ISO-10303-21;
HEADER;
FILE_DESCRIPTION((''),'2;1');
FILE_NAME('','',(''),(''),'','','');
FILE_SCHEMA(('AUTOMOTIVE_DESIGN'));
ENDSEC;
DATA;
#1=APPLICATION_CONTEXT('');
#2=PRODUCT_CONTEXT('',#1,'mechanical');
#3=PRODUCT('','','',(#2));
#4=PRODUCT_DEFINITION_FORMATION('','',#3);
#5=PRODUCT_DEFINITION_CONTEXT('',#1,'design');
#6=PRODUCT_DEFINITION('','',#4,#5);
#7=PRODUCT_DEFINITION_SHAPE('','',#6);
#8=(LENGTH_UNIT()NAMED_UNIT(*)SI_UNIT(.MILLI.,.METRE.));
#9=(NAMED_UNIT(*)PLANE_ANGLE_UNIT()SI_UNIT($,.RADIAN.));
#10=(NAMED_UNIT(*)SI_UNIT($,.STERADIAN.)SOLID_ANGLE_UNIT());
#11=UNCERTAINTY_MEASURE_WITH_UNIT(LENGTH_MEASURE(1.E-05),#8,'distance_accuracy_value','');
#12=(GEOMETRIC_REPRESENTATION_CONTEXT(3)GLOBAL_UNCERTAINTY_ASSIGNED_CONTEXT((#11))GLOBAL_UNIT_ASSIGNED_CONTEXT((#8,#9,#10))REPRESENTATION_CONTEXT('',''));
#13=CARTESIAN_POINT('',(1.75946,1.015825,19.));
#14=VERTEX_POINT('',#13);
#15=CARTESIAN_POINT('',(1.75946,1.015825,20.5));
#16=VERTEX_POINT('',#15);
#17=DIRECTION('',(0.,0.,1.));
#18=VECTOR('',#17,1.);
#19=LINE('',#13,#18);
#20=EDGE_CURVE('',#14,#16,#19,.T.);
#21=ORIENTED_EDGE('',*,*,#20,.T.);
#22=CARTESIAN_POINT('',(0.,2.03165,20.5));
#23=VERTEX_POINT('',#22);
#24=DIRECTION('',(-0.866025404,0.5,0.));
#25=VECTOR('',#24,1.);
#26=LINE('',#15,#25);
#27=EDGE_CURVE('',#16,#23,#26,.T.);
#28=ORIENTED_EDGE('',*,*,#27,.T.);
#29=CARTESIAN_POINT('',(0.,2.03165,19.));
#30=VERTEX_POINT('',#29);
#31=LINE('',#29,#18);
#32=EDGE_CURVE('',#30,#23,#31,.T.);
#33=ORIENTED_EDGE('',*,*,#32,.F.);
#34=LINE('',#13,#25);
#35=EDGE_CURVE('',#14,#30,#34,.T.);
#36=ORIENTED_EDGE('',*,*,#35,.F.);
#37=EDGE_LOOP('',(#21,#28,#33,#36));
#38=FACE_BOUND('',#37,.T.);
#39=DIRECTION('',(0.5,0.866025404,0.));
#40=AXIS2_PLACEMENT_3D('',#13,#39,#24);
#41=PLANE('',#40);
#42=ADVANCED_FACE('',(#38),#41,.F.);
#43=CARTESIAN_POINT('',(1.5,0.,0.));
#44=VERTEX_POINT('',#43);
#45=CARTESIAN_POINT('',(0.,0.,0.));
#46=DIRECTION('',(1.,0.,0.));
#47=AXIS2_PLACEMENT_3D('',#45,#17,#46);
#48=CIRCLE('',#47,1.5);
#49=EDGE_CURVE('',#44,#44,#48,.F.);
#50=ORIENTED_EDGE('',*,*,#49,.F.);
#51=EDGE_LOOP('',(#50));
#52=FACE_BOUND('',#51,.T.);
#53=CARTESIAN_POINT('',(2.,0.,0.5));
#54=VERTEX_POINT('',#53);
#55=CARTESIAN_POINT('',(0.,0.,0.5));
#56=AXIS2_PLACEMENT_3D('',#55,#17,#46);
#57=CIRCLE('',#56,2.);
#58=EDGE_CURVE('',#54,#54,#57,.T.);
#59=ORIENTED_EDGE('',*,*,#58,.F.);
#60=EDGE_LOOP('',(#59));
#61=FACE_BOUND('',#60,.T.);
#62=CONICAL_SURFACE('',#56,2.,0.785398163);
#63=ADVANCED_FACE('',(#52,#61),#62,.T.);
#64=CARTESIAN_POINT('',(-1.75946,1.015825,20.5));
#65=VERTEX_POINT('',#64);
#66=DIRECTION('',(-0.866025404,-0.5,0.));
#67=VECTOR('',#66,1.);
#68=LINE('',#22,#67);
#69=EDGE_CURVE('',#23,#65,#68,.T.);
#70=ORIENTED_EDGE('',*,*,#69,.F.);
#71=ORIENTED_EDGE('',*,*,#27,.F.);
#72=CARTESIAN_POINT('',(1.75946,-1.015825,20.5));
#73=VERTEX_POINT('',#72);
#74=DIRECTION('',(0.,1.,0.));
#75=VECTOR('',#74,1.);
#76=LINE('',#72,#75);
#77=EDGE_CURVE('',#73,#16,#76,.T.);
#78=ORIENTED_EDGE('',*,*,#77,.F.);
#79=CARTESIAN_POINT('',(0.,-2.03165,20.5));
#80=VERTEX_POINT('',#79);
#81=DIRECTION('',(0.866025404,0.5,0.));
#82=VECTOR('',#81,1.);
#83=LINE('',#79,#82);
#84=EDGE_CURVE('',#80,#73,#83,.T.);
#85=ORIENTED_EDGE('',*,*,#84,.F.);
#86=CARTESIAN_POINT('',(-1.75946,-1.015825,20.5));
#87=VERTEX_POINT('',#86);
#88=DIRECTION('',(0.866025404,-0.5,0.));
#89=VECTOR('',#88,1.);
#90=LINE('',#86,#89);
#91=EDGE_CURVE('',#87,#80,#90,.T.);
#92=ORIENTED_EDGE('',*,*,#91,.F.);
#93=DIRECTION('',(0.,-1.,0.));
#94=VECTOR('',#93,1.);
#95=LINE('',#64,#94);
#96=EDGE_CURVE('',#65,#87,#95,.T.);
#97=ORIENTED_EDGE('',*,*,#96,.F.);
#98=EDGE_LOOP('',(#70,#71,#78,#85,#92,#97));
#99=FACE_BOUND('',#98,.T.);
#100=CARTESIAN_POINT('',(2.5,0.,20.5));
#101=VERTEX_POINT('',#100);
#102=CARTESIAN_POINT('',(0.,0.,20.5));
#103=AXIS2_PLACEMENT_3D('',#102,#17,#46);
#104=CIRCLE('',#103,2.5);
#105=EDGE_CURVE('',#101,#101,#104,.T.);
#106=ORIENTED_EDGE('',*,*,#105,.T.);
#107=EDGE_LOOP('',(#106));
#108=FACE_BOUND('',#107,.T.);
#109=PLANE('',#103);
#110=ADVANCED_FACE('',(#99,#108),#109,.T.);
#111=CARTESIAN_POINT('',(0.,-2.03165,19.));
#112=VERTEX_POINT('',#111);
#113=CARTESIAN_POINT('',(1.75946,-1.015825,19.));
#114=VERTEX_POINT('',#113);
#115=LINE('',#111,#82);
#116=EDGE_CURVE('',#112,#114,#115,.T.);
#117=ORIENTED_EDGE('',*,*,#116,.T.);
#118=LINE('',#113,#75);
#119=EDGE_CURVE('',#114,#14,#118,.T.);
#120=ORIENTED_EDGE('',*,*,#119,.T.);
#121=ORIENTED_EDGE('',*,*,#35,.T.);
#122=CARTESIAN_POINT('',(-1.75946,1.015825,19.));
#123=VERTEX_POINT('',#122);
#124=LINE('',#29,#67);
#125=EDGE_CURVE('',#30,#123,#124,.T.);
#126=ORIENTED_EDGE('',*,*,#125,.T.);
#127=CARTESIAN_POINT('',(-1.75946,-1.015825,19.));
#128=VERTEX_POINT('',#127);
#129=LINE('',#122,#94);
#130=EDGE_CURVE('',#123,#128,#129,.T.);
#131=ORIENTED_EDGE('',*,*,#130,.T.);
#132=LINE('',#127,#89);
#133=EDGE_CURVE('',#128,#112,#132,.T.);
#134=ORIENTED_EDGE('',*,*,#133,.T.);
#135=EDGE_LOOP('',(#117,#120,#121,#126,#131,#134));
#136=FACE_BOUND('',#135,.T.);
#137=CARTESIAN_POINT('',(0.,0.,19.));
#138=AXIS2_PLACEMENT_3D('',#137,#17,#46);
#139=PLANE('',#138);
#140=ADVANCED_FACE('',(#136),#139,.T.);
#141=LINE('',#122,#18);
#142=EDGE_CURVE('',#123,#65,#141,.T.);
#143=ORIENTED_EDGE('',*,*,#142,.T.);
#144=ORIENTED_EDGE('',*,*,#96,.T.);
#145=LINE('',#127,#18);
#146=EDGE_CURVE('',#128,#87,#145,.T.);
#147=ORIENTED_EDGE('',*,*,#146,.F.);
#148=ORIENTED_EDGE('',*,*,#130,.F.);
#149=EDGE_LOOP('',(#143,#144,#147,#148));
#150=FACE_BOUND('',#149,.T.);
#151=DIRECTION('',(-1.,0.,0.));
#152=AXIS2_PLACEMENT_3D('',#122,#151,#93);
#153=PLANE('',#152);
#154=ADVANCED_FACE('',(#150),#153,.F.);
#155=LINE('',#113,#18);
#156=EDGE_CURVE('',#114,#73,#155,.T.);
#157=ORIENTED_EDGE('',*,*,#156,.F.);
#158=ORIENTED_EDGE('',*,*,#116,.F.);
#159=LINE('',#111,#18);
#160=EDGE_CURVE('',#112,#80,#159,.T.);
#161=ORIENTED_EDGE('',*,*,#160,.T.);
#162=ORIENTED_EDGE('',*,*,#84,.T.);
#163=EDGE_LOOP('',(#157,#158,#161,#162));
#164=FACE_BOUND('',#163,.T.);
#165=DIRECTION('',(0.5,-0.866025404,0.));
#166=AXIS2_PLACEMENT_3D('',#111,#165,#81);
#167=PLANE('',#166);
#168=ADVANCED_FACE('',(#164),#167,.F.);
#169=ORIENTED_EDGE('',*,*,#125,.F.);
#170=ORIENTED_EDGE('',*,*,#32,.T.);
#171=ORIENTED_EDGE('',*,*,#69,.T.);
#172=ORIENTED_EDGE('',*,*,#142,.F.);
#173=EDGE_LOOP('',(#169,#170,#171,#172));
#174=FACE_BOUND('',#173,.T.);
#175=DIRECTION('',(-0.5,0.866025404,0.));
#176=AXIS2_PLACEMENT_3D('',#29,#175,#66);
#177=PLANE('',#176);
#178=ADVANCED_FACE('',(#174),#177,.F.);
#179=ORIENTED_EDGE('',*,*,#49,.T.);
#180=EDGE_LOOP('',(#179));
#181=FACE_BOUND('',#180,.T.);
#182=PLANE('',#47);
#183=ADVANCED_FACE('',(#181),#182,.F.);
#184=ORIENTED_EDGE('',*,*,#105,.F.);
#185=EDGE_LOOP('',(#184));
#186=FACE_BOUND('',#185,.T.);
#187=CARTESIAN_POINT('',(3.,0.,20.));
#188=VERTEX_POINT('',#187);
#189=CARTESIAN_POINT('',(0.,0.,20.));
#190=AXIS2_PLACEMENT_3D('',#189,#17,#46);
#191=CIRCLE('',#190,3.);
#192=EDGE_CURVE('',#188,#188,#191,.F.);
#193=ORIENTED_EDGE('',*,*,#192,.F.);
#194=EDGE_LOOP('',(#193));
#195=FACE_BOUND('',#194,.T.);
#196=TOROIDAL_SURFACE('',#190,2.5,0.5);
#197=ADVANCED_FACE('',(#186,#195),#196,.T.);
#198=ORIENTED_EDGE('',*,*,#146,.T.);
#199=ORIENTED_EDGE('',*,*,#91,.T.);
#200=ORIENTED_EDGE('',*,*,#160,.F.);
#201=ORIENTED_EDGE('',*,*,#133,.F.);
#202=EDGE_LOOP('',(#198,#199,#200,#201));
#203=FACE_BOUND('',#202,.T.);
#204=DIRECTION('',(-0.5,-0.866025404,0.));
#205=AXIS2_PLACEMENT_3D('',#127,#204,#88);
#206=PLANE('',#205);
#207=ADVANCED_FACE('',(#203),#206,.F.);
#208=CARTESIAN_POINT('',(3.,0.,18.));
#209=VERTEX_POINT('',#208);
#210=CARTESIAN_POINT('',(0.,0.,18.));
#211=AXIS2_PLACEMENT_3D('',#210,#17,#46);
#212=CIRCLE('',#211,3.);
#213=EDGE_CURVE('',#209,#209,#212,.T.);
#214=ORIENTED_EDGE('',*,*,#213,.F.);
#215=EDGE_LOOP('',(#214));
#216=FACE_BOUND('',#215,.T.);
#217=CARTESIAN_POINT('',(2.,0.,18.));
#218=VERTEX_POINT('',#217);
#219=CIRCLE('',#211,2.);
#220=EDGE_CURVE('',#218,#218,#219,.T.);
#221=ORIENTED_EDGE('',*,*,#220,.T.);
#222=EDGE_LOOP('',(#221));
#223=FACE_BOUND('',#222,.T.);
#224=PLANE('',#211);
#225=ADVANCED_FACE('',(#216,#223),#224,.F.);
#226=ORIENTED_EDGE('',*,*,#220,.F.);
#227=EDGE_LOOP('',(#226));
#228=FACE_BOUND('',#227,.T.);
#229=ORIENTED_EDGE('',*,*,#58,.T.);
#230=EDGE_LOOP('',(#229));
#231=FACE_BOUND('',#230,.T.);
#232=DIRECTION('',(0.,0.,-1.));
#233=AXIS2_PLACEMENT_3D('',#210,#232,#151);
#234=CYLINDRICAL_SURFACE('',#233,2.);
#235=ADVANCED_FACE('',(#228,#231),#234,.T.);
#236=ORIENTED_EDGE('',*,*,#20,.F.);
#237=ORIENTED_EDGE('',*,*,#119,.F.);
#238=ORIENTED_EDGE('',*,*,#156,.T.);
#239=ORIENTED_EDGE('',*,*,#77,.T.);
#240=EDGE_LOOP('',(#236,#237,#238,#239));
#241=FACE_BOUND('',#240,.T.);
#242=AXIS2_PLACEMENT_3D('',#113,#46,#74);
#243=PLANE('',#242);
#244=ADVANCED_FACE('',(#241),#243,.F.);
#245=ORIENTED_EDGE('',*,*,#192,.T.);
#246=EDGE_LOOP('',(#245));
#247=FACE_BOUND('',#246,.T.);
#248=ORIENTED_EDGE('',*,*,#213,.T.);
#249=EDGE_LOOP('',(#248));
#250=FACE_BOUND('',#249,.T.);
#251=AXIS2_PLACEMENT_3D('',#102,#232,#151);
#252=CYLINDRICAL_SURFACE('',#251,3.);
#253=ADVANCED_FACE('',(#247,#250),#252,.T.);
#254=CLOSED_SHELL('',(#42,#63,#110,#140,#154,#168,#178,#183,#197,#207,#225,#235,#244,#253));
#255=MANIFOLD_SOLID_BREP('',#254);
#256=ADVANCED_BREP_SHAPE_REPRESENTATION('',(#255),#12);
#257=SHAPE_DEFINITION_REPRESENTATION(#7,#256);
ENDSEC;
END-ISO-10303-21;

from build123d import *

# Parameters (mm, degrees)
SKETCH_1_R          = 2
EXTRUDE_1_DEPTH     = 18
SKETCH_2_R          = 3
EXTRUDE_2_DEPTH     = 2.5
CUT_EXTRUDE_1_DEPTH = 1.5
CHAMFER_1_SIZE      = 0.5
FILLET_1_R          = 0.5


with BuildPart() as part:
    # 草图1 → 凸台-拉伸1 (new body)
    with BuildSketch(Plane.XY):
        Circle(SKETCH_1_R)
    extrude(amount=EXTRUDE_1_DEPTH)

    # 草图2 → 凸台-拉伸2 (add)
    with BuildSketch(Plane.XY.offset(18)):
        Circle(SKETCH_2_R)
    extrude(amount=EXTRUDE_2_DEPTH)

    # 草图4 → 切除-拉伸1 (cut)
    with BuildSketch(Plane.XY.offset(20.5)):
        Polygon((0, 2.031649792), (-1.759460331, 1.015824896), (-1.759460331, -1.015824896), (0, -2.031649792), (1.759460331, -1.015824896), (1.759460331, 1.015824896), align=None)
    extrude(amount=-CUT_EXTRUDE_1_DEPTH, mode=Mode.SUBTRACT)

    # 倒角1
    chamfer_1_edges = [part.edges().sort_by_distance(p)[0] for p in [
        (-2, 0, 0),
    ]]
    chamfer(chamfer_1_edges, length=CHAMFER_1_SIZE)

    # 圆角1
    fillet_1_edges = [part.edges().sort_by_distance(p)[0] for p in [
        (-3, 0, 20.5),
    ]]
    fillet(fillet_1_edges, radius=FILLET_1_R)


solid = part.part
